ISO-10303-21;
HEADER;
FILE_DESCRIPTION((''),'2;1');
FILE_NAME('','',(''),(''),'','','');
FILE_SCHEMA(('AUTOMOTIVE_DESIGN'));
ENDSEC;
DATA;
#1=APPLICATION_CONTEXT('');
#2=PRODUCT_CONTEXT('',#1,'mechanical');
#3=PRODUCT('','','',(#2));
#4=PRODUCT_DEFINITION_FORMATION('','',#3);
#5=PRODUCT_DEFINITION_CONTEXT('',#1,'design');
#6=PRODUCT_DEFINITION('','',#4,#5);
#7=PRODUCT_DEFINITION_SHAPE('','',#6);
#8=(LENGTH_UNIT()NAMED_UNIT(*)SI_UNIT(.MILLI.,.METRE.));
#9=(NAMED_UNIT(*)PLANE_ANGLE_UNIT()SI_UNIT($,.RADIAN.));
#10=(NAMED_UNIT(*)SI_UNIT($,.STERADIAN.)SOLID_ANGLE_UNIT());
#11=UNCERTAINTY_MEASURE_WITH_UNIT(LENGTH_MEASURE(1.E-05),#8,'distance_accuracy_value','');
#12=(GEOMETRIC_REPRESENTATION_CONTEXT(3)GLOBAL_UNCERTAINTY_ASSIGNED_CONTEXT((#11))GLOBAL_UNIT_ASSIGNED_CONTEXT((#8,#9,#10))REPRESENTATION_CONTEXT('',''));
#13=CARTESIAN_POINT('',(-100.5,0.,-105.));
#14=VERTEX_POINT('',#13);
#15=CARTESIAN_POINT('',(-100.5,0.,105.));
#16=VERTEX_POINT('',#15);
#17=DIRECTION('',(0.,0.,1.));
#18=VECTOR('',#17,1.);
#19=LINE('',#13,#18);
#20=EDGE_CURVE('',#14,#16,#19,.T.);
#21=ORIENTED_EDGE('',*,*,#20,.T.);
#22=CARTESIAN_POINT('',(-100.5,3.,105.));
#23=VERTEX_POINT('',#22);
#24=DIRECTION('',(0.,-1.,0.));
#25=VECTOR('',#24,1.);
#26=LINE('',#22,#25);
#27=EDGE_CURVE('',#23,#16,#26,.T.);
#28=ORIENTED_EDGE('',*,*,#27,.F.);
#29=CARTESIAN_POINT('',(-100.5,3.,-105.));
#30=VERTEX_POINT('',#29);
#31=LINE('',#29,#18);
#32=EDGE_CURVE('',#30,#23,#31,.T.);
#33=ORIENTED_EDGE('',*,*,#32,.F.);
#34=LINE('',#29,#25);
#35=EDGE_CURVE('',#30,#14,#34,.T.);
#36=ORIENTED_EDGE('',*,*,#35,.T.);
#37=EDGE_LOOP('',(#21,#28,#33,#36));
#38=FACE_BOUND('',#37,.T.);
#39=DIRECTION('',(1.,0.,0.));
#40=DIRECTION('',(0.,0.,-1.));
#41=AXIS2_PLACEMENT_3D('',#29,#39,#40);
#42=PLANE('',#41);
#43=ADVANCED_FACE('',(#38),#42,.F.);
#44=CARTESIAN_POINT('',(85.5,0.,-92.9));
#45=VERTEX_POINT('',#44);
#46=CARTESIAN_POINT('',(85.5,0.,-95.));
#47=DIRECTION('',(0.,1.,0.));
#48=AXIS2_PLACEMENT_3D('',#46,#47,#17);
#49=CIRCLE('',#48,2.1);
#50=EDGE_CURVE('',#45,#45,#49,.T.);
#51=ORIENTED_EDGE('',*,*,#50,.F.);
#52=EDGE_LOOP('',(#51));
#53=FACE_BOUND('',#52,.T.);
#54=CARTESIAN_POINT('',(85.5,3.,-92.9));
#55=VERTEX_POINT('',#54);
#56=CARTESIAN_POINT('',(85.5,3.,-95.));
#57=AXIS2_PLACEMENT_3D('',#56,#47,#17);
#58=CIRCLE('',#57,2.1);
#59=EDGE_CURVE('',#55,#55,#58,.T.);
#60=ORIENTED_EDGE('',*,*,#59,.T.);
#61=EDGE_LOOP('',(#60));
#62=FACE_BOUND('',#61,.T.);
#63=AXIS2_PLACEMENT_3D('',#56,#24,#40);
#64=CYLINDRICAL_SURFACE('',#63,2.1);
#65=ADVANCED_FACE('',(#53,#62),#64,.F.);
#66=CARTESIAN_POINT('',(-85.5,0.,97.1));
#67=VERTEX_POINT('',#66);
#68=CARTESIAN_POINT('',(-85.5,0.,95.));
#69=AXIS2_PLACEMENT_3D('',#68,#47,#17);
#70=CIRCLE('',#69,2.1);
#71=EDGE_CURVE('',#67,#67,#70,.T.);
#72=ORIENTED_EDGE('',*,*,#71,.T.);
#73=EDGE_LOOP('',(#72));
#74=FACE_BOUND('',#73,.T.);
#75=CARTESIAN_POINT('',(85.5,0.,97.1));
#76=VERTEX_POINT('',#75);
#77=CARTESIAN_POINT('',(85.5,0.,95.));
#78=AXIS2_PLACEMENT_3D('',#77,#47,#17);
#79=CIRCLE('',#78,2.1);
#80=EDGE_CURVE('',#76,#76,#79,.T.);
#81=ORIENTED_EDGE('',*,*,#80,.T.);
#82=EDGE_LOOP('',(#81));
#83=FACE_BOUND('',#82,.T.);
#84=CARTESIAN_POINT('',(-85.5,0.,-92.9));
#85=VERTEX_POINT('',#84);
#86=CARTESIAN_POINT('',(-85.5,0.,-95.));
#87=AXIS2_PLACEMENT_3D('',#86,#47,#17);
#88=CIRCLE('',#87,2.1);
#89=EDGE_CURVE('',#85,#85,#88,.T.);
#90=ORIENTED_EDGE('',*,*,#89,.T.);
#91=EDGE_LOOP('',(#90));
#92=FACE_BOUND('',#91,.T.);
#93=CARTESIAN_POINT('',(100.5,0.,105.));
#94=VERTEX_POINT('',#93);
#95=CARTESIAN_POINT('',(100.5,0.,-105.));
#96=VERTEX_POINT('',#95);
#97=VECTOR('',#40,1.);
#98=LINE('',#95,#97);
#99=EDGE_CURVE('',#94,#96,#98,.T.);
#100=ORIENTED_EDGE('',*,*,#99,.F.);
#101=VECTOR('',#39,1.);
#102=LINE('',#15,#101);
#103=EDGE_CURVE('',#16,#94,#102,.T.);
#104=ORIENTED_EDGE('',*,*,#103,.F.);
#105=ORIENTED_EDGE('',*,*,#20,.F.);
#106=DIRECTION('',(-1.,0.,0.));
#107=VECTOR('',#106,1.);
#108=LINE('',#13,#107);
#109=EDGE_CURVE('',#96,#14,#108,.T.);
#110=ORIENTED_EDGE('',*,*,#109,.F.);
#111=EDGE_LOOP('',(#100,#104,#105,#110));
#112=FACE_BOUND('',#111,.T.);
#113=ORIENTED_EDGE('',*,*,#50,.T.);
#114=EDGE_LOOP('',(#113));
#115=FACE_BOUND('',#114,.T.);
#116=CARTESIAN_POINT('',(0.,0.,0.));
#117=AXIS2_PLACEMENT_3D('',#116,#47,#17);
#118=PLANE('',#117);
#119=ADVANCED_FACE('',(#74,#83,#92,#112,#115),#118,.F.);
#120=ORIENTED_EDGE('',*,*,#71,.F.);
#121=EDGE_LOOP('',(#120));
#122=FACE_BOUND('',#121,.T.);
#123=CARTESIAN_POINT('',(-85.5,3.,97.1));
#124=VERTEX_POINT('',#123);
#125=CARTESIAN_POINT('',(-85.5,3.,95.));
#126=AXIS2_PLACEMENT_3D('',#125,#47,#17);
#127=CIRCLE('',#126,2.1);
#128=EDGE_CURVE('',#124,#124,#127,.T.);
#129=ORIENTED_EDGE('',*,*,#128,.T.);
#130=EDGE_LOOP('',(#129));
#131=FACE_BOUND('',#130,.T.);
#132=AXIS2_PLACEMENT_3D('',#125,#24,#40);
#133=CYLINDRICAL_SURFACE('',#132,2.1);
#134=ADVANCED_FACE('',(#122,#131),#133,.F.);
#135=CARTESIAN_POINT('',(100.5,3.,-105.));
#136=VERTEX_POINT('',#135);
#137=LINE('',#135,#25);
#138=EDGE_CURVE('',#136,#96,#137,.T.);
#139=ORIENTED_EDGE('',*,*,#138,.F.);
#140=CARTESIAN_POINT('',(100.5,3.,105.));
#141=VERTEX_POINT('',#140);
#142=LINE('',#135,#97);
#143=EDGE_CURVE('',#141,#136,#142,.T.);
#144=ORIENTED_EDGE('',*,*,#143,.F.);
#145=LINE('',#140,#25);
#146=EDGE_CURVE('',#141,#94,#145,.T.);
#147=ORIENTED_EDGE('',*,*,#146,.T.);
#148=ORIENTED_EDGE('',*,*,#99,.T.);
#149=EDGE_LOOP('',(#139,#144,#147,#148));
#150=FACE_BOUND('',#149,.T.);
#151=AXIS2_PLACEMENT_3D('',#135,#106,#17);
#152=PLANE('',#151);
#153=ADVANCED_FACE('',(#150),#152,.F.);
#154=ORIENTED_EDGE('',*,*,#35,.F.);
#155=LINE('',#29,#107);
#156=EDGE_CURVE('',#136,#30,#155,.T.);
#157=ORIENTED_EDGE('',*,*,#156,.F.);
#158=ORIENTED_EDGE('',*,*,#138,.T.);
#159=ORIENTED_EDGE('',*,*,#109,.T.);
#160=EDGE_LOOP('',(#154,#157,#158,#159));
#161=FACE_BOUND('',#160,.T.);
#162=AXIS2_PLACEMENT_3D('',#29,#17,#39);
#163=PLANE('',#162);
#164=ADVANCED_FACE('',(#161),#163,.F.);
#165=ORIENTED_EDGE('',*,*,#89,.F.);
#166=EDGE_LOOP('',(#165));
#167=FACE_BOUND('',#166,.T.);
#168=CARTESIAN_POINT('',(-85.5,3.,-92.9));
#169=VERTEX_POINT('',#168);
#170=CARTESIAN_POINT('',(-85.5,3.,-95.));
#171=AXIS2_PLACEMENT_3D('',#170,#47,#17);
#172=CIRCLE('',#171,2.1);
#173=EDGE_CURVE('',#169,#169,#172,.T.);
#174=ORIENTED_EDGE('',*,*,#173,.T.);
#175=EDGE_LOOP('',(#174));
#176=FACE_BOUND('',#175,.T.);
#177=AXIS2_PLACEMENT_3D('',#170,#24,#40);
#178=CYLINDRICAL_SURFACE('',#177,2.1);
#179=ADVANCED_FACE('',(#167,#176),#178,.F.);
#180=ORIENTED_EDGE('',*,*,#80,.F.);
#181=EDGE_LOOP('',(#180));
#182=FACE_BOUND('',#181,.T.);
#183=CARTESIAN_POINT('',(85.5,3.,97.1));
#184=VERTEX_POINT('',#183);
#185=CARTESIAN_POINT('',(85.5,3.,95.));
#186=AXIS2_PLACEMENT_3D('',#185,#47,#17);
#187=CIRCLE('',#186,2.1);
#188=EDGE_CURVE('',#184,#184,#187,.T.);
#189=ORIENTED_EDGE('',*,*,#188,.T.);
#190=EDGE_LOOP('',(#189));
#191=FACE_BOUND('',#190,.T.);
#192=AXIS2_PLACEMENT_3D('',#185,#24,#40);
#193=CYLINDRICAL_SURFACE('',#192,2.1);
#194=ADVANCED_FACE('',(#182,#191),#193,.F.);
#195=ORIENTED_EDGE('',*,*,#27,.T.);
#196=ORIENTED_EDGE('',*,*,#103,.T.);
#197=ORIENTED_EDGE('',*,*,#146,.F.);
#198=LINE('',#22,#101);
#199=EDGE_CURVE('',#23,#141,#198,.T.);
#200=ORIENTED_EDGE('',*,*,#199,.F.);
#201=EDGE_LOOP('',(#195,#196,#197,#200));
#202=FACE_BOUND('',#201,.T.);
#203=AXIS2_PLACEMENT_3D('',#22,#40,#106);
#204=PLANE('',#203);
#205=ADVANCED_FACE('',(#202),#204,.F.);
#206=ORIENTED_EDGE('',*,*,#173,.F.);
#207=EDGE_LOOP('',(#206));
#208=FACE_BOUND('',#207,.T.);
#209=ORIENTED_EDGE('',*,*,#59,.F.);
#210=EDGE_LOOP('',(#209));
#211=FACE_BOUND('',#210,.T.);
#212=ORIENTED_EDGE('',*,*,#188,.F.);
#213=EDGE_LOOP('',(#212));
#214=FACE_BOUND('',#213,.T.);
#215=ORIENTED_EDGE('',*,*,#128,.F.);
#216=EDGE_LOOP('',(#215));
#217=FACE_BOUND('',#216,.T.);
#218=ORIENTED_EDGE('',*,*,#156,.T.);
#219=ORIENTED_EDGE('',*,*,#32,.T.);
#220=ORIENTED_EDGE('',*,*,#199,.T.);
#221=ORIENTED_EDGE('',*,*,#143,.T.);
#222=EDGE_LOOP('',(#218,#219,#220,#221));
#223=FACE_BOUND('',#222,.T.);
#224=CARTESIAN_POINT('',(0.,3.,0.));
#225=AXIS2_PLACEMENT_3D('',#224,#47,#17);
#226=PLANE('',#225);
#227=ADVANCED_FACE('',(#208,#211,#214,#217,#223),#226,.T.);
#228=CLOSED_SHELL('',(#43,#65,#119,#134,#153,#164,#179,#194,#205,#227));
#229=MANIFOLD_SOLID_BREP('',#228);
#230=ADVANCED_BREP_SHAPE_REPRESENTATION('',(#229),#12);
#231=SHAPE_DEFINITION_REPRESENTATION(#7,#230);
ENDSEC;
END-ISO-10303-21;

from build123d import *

# Parameters (mm, degrees)
CROQUIS1_W              = 201
CROQUIS1_H              = 210
CROQUIS1_R              = 2.1
SALIENTE_EXTRUIR1_DEPTH = 3


with BuildPart() as part:
    # Croquis1 → Saliente-Extruir1 (new body)
    with BuildSketch(Plane(origin=(0, 0, 0), x_dir=(1, 0, 0), z_dir=(0, 1, 0))):
        Rectangle(CROQUIS1_W, CROQUIS1_H)
        with Locations((-85.5, 95)):
            Circle(CROQUIS1_R, mode=Mode.SUBTRACT)
        with Locations((85.5, 95)):
            Circle(CROQUIS1_R, mode=Mode.SUBTRACT)
        with Locations((85.5, -95)):
            Circle(CROQUIS1_R, mode=Mode.SUBTRACT)
        with Locations((-85.5, -95)):
            Circle(CROQUIS1_R, mode=Mode.SUBTRACT)
    extrude(amount=SALIENTE_EXTRUIR1_DEPTH)


solid = part.part
